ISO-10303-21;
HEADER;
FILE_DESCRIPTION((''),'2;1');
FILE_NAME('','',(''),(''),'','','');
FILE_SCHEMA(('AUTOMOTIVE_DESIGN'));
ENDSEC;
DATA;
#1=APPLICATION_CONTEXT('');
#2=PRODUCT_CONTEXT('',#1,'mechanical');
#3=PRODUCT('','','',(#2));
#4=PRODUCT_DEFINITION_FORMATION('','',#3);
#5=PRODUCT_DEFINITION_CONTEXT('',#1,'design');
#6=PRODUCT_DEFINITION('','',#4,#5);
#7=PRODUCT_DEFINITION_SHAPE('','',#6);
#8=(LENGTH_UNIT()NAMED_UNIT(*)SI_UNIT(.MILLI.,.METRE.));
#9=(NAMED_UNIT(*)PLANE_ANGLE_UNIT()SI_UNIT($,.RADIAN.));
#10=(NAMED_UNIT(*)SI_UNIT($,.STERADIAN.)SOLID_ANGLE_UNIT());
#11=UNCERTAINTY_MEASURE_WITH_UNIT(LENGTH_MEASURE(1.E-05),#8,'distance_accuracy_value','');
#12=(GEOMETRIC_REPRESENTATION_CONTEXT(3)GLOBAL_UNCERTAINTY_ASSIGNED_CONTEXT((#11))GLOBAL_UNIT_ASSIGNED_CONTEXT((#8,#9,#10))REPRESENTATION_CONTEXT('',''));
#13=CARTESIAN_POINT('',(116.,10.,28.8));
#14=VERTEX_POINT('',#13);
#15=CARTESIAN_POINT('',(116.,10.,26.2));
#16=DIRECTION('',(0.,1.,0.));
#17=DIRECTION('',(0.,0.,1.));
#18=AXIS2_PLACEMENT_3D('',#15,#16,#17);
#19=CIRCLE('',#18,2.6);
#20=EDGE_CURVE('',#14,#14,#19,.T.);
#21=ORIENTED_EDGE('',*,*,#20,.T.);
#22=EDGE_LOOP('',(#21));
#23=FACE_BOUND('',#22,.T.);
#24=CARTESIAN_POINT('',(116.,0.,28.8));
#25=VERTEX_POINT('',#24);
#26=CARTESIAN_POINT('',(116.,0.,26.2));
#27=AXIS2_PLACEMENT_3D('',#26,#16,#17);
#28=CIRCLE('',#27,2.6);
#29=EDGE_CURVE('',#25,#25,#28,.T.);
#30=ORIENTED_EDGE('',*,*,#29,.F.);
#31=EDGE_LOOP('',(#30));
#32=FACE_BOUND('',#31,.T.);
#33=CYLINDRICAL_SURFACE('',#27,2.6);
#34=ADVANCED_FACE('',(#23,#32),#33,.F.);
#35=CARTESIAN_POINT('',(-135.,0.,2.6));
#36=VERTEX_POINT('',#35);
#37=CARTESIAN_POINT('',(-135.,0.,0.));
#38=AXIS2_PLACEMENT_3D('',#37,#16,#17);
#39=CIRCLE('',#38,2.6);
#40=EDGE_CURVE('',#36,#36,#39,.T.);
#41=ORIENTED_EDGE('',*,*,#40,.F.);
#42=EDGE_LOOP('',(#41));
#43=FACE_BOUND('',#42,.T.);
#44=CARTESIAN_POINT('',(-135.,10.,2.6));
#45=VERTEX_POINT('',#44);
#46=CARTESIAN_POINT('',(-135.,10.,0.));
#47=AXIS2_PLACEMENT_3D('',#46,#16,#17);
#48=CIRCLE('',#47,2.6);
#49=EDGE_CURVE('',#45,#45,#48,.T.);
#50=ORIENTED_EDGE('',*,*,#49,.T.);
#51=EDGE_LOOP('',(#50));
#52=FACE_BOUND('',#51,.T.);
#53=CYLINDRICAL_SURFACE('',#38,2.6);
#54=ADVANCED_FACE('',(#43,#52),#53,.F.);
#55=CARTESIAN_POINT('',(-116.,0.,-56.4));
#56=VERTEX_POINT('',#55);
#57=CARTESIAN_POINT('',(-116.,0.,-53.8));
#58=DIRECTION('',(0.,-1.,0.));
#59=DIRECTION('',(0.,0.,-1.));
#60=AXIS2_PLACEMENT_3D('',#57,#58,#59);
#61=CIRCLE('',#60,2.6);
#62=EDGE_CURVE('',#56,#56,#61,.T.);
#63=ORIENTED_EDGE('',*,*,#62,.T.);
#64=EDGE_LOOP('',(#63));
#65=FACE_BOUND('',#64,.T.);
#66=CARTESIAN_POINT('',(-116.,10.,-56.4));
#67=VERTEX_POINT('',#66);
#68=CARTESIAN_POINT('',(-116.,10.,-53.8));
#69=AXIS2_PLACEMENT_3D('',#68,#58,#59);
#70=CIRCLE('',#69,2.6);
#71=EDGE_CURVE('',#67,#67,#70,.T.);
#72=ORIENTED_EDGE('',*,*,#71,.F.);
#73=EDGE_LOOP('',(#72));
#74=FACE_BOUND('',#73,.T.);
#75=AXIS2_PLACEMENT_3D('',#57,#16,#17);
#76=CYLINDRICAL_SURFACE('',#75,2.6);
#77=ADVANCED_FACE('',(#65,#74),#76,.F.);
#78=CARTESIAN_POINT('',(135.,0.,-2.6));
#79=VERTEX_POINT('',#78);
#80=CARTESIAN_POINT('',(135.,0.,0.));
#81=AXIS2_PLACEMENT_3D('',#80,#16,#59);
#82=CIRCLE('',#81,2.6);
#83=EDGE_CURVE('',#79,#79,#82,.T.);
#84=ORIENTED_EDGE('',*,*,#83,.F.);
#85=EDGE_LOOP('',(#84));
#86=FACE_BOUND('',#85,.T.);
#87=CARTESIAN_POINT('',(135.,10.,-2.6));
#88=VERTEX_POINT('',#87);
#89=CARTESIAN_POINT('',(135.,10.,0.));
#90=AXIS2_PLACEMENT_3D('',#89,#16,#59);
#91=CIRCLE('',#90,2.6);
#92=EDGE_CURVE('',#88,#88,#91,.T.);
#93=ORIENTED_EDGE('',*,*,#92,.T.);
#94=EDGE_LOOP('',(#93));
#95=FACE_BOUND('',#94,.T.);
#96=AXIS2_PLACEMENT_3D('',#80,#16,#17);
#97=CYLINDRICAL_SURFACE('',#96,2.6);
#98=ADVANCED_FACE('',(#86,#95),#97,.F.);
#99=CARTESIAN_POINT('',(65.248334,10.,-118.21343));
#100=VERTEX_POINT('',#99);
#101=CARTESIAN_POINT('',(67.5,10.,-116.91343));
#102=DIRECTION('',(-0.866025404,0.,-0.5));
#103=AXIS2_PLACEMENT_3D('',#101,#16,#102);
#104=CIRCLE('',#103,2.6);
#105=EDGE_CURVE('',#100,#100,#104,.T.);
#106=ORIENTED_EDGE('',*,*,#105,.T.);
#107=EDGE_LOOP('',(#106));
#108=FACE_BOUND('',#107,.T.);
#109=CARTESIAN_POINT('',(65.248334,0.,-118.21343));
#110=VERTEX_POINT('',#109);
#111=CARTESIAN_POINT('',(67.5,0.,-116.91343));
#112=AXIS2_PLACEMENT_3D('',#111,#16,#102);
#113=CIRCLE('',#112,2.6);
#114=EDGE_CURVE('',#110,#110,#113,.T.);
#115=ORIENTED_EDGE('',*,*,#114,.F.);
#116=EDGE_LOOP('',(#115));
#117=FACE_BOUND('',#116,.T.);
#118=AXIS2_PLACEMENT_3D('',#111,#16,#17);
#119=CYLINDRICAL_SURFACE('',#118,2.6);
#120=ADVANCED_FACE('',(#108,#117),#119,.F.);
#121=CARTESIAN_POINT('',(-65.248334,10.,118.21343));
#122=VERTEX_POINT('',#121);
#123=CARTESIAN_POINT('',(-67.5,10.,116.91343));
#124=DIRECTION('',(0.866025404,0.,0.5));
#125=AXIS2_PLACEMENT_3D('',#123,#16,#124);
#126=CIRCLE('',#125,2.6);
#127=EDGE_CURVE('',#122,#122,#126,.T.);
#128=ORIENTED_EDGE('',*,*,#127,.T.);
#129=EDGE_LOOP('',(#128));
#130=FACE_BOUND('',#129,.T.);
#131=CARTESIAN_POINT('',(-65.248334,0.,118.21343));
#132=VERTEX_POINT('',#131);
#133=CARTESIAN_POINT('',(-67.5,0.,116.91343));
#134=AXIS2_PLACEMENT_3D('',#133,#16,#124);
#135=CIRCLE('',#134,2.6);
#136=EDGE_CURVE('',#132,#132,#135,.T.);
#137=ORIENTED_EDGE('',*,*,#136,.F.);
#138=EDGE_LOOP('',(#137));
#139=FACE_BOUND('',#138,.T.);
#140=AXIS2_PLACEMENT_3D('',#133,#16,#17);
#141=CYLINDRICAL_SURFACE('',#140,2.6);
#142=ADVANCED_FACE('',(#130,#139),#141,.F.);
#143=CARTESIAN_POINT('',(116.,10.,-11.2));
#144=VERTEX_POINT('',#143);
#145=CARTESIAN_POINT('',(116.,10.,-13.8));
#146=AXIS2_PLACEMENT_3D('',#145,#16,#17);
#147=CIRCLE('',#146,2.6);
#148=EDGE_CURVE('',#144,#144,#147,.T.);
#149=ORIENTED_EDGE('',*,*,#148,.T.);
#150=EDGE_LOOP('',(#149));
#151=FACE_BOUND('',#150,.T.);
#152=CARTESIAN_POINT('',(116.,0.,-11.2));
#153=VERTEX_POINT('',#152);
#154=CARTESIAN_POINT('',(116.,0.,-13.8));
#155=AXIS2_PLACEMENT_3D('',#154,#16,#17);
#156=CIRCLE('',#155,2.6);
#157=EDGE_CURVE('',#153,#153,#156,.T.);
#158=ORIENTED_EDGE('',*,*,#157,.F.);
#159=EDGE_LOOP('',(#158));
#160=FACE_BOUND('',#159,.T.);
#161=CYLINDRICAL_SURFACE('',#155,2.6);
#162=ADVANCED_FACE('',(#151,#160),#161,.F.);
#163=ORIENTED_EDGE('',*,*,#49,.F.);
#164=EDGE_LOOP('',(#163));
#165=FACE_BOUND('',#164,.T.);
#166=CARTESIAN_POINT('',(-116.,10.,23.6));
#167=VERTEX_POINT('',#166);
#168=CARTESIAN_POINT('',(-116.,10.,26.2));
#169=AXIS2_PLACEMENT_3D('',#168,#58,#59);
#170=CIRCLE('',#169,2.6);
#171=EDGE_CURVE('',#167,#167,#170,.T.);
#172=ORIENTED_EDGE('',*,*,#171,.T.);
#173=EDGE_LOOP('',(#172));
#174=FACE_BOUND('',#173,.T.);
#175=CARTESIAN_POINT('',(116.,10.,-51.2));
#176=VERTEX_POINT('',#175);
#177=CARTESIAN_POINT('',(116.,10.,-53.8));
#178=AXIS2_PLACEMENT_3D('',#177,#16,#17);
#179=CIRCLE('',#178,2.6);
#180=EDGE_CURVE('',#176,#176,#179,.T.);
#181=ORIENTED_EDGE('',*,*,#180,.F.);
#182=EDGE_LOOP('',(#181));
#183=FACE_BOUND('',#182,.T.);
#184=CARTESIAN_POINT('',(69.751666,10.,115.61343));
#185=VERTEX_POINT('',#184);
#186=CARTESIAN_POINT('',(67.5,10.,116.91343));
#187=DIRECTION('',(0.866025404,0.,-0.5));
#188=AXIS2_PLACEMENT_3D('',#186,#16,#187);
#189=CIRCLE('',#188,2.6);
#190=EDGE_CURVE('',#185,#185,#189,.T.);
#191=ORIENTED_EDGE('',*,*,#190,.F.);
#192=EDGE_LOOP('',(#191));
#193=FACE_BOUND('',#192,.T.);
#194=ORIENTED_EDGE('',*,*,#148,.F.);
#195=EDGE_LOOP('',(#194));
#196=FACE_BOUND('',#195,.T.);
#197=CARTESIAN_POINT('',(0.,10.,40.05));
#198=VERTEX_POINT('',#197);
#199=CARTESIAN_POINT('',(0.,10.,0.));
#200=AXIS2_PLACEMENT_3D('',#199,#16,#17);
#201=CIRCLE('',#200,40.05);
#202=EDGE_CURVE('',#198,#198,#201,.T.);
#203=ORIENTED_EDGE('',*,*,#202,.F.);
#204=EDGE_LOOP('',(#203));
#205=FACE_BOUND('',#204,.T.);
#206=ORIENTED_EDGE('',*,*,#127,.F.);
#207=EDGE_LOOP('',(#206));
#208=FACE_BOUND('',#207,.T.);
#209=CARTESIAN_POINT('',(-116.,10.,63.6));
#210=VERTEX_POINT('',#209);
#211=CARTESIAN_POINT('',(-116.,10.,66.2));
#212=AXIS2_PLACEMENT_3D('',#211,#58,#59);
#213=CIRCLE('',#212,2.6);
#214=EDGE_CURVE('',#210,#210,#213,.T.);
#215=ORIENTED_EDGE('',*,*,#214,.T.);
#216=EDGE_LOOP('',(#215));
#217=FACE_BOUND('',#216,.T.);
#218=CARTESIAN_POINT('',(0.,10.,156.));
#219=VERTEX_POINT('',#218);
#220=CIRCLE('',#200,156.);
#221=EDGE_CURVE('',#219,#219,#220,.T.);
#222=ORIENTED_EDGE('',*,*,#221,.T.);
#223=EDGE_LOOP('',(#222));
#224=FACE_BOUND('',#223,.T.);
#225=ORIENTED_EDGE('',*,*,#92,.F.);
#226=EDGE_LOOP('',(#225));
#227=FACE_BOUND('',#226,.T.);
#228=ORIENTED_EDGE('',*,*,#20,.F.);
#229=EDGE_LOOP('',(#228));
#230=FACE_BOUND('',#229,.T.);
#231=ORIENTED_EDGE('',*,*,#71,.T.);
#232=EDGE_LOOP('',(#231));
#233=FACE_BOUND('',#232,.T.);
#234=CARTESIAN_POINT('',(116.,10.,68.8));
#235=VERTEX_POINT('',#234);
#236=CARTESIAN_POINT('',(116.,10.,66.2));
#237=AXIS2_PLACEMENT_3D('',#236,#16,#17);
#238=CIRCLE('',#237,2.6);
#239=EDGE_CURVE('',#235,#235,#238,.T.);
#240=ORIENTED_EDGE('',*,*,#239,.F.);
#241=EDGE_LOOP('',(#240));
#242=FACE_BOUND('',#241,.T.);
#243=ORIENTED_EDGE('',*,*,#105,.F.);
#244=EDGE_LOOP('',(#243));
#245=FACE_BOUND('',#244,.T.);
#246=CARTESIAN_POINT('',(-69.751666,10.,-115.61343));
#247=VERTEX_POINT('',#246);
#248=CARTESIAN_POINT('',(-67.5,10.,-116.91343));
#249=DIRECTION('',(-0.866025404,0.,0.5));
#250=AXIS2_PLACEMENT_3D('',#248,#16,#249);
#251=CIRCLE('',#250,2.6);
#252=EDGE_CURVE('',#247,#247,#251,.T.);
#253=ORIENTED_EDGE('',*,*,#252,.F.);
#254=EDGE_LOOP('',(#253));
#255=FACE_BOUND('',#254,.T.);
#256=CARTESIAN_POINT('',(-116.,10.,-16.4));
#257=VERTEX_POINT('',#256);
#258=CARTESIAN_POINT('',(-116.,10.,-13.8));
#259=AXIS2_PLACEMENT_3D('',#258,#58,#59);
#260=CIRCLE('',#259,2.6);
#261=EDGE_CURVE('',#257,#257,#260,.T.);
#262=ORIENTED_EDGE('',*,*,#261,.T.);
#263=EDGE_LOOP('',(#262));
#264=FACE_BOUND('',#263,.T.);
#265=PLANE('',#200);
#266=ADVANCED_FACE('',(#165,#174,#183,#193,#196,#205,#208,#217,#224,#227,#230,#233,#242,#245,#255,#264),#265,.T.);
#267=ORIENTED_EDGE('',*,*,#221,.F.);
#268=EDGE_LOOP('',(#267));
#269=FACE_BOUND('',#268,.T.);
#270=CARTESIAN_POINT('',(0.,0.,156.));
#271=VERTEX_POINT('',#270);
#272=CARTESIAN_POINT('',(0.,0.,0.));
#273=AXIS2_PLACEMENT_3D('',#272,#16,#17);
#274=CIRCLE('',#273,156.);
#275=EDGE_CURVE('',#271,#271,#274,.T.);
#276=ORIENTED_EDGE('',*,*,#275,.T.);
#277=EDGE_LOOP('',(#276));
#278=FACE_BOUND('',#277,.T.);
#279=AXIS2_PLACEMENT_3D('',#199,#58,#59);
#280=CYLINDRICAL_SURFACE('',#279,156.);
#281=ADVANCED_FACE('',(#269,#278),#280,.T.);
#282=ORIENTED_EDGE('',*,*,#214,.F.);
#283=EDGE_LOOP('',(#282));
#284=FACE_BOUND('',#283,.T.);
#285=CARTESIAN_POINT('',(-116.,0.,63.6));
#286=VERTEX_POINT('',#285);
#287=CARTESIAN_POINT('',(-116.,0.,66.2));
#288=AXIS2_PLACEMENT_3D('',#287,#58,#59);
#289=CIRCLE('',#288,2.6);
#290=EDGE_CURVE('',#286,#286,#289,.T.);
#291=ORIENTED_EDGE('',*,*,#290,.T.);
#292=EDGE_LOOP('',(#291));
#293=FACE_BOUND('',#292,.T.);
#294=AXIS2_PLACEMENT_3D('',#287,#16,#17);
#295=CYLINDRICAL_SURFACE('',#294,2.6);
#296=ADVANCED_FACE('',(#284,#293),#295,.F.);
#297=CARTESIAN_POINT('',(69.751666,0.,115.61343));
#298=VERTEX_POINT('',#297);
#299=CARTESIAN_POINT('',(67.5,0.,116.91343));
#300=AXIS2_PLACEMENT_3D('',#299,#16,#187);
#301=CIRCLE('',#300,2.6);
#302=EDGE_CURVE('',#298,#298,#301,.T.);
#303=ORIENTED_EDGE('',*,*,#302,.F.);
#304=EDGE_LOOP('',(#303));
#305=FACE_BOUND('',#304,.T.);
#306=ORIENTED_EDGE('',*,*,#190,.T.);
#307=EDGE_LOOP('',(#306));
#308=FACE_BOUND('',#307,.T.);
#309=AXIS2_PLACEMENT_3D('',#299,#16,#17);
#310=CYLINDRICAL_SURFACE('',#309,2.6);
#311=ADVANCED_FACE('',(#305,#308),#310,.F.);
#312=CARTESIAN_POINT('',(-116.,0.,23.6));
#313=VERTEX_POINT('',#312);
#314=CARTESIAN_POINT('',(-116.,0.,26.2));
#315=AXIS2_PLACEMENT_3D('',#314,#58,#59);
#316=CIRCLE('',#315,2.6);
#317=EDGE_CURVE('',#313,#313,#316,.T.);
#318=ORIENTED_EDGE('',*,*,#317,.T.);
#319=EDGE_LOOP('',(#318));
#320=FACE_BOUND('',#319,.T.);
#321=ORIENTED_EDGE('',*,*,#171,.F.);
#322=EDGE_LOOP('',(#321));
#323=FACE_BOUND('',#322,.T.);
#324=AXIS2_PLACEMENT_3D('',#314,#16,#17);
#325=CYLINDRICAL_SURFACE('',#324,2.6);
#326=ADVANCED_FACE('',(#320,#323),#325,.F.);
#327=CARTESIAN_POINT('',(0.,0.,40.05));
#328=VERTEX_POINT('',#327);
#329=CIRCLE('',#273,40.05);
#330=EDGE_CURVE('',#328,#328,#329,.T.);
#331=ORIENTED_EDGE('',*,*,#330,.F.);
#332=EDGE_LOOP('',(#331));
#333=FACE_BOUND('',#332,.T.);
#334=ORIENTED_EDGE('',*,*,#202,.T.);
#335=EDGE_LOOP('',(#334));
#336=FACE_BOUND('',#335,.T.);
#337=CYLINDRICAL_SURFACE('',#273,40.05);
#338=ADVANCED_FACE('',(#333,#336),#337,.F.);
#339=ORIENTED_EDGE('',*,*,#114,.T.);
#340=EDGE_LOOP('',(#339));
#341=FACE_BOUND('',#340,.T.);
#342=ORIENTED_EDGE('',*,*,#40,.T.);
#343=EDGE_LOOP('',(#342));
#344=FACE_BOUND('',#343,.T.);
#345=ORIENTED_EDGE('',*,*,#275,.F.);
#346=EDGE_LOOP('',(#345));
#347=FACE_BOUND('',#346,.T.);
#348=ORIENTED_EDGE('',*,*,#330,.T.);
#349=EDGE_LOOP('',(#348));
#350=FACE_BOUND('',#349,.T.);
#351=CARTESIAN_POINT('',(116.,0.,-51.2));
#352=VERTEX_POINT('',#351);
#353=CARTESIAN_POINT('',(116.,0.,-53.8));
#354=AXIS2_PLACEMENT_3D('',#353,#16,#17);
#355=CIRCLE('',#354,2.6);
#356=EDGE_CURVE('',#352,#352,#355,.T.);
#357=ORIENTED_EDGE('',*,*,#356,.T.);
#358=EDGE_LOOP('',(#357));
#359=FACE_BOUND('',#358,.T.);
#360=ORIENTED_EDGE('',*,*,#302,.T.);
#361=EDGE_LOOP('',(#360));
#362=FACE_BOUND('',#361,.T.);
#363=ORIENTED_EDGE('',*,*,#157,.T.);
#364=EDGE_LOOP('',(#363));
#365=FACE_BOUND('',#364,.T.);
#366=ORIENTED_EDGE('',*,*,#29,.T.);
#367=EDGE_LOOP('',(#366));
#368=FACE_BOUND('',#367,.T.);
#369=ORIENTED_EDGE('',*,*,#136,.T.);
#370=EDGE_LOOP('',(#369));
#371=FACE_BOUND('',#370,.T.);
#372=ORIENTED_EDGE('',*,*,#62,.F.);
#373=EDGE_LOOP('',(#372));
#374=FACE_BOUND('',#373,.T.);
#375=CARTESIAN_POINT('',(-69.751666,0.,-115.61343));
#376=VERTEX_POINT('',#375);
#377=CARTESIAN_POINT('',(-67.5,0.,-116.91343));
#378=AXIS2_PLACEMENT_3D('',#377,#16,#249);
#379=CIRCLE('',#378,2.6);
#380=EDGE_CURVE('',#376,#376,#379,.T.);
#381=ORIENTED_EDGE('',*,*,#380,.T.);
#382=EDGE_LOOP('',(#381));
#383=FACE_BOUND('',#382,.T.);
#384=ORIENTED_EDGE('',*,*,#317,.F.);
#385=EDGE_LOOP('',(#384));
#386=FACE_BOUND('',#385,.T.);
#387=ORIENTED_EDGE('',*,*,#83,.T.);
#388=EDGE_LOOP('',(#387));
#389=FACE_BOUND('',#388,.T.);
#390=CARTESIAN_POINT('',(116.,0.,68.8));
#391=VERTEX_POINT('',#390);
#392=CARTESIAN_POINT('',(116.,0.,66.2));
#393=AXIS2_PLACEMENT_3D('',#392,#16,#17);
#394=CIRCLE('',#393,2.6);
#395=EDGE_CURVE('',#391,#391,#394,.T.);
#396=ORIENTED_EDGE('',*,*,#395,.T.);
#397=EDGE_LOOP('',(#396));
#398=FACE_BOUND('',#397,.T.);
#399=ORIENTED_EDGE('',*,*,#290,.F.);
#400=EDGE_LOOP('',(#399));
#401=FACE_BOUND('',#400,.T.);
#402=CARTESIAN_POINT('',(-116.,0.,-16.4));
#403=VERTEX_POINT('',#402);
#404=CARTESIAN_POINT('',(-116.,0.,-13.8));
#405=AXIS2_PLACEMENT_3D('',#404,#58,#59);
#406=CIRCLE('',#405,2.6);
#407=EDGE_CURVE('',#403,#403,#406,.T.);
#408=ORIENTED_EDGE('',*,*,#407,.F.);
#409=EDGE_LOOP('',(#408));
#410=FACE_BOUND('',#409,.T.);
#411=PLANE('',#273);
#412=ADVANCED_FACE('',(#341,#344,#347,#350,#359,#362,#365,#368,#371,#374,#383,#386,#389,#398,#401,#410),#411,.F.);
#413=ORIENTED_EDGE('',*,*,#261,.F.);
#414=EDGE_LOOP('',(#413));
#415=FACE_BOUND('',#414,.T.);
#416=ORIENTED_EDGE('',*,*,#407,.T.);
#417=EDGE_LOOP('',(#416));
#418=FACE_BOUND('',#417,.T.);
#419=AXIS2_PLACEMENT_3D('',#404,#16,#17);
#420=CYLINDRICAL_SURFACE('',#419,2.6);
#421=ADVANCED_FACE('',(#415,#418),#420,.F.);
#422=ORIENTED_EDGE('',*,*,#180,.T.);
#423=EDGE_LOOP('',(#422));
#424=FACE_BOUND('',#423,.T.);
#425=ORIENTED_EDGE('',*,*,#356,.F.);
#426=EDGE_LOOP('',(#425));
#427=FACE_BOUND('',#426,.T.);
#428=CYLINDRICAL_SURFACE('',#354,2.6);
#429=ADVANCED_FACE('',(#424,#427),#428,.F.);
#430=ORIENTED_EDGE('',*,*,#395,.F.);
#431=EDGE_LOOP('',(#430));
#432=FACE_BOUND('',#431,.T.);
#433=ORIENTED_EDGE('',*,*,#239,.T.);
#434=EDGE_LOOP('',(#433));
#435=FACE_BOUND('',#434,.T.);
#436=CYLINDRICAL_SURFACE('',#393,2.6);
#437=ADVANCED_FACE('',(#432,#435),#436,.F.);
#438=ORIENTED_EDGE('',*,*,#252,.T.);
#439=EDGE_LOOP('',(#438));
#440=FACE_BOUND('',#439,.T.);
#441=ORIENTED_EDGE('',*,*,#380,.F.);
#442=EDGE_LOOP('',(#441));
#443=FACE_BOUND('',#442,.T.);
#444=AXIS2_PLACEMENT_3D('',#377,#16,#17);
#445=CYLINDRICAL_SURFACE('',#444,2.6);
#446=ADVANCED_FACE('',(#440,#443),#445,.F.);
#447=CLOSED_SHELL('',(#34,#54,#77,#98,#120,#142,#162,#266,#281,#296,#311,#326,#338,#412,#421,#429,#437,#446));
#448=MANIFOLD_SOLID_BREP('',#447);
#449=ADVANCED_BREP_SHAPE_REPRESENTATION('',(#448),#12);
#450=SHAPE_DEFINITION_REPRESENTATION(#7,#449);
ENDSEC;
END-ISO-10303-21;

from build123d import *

# Parameters (mm, degrees)
SKETCH_1_R               = 156
EXTRUDE_1_DEPTH          = 10
SKETCH_2_R               = 2.6
CUT_EXTRUDE_1_DEPTH      = 221.843836228
SKETCH_3_R               = 40.05
CUT_EXTRUDE_2_DEPTH      = 10
SKETCH_4_R               = 2.6
CUT_EXTRUDE_4_DEPTH      = 221.843836228
PATTERN_CIRCULAR_1_COUNT = 6


with BuildPart() as part:
    # Эскиз1 → Бобышка-Вытянуть1 (new body)
    with BuildSketch(Plane(origin=(0, 0, 0), x_dir=(1, 0, 0), z_dir=(0, 1, 0))):
        with Locations(Location((0, 0, 0), (0, 0, 270))):
            Circle(SKETCH_1_R)
    extrude(amount=EXTRUDE_1_DEPTH)

    # Эскиз2 → Вырез-Вытянуть1 (cut, through all)
    with BuildSketch(Plane(origin=(0, 10, 0), x_dir=(1, 0, 0), z_dir=(0, 1, 0))):
        with Locations(Location((116, 13.8, 0), (0, 0, 270))):
            Circle(SKETCH_2_R)
        with Locations(Location((116, 53.8, 0), (0, 0, 270))):
            Circle(SKETCH_2_R)
        with Locations(Location((116, -26.2, 0), (0, 0, 270))):
            Circle(SKETCH_2_R)
        with Locations(Location((116, -66.2, 0), (0, 0, 270))):
            Circle(SKETCH_2_R)
        with Locations(Location((-116, -66.2, 0), (0, 0, 90))):
            Circle(SKETCH_2_R)
        with Locations(Location((-116, -26.2, 0), (0, 0, 90))):
            Circle(SKETCH_2_R)
        with Locations(Location((-116, 13.8, 0), (0, 0, 90))):
            Circle(SKETCH_2_R)
        with Locations(Location((-116, 53.8, 0), (0, 0, 90))):
            Circle(SKETCH_2_R)
    extrude(amount=-CUT_EXTRUDE_1_DEPTH, mode=Mode.SUBTRACT)

    # Эскиз3 → Вырез-Вытянуть2 (cut)
    with BuildSketch(Plane(origin=(0, 10, 0), x_dir=(1, 0, 0), z_dir=(0, 1, 0))):
        with Locations(Location((0, 0, 0), (0, 0, 270))):
            Circle(SKETCH_3_R)
    extrude(amount=-CUT_EXTRUDE_2_DEPTH, mode=Mode.SUBTRACT)

    # Эскиз4 → Вырез-Вытянуть4 (cut, through all)
    with BuildSketch(Plane(origin=(0, 10, 0), x_dir=(1, 0, 0), z_dir=(0, 1, 0))):
        with Locations(Location((-135, 0, 0), (0, 0, 270))):
            Circle(SKETCH_4_R)
    cut_extrude_4 = extrude(amount=-CUT_EXTRUDE_4_DEPTH, mode=Mode.SUBTRACT)

    # Круговой массив1: Вырез-Вытянуть4 ×6 about axis
    pattern_circular_1_axis = Axis((0, 0, 0), (0, 1, 0))
    for i in range(1, PATTERN_CIRCULAR_1_COUNT):
        add(cut_extrude_4.rotate(pattern_circular_1_axis, i * 360 / PATTERN_CIRCULAR_1_COUNT), mode=Mode.SUBTRACT)


solid = part.part
